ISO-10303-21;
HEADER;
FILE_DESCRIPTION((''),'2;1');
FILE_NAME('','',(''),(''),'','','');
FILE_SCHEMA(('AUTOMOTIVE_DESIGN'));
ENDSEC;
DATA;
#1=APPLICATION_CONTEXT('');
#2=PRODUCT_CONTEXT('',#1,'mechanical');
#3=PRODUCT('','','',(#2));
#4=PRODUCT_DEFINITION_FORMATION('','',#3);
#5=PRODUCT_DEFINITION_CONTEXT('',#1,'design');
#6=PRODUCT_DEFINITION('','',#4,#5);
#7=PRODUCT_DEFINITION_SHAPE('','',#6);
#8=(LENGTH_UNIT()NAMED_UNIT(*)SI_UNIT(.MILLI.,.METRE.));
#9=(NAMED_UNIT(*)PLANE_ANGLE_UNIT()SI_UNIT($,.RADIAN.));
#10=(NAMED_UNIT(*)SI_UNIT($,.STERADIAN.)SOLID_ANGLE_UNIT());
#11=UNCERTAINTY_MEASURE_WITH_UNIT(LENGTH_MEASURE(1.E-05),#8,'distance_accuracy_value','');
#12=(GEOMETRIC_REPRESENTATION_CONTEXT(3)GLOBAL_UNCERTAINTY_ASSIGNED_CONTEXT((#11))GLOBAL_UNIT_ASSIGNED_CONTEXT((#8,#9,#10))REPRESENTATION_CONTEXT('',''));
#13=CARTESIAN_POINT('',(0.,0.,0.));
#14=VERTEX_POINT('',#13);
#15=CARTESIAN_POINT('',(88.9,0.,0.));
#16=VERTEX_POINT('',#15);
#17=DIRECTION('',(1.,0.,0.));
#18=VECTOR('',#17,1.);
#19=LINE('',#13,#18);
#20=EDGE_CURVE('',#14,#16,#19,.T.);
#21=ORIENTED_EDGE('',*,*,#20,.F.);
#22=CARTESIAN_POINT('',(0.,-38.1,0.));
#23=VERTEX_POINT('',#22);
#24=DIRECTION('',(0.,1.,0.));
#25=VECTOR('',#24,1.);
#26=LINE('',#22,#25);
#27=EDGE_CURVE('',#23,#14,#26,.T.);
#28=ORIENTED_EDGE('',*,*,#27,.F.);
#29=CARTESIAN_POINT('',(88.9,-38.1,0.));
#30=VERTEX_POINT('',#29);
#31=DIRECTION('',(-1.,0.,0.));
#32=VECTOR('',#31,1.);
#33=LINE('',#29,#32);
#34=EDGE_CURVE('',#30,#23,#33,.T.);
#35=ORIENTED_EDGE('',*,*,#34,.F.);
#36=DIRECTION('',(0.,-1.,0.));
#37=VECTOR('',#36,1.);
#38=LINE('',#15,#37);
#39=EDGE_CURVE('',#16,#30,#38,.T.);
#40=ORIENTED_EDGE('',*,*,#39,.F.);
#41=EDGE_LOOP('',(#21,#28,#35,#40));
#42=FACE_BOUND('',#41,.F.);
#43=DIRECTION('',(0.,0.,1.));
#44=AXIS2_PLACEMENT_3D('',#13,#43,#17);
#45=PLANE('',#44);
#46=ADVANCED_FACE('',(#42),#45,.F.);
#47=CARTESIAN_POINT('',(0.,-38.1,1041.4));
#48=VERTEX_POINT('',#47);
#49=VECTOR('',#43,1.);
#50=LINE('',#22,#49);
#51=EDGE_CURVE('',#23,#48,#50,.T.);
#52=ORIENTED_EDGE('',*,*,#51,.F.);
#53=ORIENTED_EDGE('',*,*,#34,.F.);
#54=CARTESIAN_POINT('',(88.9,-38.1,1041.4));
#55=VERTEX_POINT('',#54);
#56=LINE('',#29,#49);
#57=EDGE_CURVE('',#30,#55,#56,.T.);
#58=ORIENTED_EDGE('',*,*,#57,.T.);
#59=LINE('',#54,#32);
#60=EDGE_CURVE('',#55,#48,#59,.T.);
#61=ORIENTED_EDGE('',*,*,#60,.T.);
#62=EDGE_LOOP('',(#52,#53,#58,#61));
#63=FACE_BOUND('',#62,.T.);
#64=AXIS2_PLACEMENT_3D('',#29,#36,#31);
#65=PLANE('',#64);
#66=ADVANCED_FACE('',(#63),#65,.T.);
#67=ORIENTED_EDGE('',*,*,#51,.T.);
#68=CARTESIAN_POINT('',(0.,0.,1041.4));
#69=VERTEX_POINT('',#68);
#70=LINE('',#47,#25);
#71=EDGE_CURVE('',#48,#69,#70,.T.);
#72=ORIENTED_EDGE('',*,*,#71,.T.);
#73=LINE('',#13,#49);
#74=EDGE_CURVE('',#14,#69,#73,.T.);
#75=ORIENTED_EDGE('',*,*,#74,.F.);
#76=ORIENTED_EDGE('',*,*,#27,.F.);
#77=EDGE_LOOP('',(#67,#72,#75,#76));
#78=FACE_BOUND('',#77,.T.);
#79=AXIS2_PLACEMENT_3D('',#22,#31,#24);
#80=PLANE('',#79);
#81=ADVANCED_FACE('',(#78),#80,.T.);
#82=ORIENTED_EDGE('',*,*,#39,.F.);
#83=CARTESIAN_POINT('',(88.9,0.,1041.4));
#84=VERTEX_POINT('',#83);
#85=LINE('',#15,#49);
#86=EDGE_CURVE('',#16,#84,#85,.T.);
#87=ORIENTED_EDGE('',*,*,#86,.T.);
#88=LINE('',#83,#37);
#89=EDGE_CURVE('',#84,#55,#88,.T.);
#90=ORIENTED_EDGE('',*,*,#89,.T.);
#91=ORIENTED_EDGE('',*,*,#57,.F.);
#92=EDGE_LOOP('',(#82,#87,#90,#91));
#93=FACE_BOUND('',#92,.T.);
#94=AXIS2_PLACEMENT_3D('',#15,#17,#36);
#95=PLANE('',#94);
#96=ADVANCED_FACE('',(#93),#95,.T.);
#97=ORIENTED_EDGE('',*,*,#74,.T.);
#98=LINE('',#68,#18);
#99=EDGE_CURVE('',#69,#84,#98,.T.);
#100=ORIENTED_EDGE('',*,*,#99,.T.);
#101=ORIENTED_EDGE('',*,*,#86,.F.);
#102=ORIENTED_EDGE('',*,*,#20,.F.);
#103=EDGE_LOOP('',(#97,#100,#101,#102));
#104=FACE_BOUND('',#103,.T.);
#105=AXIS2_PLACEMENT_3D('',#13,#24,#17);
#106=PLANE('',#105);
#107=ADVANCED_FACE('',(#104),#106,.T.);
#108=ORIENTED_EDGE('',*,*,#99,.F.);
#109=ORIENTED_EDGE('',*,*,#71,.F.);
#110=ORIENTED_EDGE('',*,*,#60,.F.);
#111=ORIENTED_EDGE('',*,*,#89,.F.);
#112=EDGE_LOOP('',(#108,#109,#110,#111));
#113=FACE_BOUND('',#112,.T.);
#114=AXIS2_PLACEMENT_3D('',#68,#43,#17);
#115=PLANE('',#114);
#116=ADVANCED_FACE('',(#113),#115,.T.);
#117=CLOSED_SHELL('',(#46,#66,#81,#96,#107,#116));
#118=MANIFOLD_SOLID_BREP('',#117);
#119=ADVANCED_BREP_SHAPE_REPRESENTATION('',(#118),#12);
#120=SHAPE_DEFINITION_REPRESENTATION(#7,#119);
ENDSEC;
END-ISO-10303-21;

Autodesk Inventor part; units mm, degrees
ref_plane "YZ Plane" through (0, 0, 0) normal (1, 0, 0) x (0, 1, 0)
ref_plane "XZ Plane" through (0, 0, 0) normal (0, 1, 0) x (-1, 0, 0)
ref_plane "Work Plane1" through (0, 0, 0) normal (0, 0, 1) x (1, 0, 0)
sketch "Sketch1" plane through (0, 0, 0) normal (0, 0, 1) x (1, 0, 0)
  line L0 (0, 0) -> (88.9, 0)
  line L1 (88.9, 0) -> (88.9, -38.1)
  line L2 (88.9, -38.1) -> (0, -38.1)
  line L3 (0, -38.1) -> (0, 0)
  dimension "d0" = 38.1
  dimension "d1" = 88.9
extrude "Extrusion1" add sketch "Sketch1" along normal blind 1041.4
properties part number "2x4x42"
